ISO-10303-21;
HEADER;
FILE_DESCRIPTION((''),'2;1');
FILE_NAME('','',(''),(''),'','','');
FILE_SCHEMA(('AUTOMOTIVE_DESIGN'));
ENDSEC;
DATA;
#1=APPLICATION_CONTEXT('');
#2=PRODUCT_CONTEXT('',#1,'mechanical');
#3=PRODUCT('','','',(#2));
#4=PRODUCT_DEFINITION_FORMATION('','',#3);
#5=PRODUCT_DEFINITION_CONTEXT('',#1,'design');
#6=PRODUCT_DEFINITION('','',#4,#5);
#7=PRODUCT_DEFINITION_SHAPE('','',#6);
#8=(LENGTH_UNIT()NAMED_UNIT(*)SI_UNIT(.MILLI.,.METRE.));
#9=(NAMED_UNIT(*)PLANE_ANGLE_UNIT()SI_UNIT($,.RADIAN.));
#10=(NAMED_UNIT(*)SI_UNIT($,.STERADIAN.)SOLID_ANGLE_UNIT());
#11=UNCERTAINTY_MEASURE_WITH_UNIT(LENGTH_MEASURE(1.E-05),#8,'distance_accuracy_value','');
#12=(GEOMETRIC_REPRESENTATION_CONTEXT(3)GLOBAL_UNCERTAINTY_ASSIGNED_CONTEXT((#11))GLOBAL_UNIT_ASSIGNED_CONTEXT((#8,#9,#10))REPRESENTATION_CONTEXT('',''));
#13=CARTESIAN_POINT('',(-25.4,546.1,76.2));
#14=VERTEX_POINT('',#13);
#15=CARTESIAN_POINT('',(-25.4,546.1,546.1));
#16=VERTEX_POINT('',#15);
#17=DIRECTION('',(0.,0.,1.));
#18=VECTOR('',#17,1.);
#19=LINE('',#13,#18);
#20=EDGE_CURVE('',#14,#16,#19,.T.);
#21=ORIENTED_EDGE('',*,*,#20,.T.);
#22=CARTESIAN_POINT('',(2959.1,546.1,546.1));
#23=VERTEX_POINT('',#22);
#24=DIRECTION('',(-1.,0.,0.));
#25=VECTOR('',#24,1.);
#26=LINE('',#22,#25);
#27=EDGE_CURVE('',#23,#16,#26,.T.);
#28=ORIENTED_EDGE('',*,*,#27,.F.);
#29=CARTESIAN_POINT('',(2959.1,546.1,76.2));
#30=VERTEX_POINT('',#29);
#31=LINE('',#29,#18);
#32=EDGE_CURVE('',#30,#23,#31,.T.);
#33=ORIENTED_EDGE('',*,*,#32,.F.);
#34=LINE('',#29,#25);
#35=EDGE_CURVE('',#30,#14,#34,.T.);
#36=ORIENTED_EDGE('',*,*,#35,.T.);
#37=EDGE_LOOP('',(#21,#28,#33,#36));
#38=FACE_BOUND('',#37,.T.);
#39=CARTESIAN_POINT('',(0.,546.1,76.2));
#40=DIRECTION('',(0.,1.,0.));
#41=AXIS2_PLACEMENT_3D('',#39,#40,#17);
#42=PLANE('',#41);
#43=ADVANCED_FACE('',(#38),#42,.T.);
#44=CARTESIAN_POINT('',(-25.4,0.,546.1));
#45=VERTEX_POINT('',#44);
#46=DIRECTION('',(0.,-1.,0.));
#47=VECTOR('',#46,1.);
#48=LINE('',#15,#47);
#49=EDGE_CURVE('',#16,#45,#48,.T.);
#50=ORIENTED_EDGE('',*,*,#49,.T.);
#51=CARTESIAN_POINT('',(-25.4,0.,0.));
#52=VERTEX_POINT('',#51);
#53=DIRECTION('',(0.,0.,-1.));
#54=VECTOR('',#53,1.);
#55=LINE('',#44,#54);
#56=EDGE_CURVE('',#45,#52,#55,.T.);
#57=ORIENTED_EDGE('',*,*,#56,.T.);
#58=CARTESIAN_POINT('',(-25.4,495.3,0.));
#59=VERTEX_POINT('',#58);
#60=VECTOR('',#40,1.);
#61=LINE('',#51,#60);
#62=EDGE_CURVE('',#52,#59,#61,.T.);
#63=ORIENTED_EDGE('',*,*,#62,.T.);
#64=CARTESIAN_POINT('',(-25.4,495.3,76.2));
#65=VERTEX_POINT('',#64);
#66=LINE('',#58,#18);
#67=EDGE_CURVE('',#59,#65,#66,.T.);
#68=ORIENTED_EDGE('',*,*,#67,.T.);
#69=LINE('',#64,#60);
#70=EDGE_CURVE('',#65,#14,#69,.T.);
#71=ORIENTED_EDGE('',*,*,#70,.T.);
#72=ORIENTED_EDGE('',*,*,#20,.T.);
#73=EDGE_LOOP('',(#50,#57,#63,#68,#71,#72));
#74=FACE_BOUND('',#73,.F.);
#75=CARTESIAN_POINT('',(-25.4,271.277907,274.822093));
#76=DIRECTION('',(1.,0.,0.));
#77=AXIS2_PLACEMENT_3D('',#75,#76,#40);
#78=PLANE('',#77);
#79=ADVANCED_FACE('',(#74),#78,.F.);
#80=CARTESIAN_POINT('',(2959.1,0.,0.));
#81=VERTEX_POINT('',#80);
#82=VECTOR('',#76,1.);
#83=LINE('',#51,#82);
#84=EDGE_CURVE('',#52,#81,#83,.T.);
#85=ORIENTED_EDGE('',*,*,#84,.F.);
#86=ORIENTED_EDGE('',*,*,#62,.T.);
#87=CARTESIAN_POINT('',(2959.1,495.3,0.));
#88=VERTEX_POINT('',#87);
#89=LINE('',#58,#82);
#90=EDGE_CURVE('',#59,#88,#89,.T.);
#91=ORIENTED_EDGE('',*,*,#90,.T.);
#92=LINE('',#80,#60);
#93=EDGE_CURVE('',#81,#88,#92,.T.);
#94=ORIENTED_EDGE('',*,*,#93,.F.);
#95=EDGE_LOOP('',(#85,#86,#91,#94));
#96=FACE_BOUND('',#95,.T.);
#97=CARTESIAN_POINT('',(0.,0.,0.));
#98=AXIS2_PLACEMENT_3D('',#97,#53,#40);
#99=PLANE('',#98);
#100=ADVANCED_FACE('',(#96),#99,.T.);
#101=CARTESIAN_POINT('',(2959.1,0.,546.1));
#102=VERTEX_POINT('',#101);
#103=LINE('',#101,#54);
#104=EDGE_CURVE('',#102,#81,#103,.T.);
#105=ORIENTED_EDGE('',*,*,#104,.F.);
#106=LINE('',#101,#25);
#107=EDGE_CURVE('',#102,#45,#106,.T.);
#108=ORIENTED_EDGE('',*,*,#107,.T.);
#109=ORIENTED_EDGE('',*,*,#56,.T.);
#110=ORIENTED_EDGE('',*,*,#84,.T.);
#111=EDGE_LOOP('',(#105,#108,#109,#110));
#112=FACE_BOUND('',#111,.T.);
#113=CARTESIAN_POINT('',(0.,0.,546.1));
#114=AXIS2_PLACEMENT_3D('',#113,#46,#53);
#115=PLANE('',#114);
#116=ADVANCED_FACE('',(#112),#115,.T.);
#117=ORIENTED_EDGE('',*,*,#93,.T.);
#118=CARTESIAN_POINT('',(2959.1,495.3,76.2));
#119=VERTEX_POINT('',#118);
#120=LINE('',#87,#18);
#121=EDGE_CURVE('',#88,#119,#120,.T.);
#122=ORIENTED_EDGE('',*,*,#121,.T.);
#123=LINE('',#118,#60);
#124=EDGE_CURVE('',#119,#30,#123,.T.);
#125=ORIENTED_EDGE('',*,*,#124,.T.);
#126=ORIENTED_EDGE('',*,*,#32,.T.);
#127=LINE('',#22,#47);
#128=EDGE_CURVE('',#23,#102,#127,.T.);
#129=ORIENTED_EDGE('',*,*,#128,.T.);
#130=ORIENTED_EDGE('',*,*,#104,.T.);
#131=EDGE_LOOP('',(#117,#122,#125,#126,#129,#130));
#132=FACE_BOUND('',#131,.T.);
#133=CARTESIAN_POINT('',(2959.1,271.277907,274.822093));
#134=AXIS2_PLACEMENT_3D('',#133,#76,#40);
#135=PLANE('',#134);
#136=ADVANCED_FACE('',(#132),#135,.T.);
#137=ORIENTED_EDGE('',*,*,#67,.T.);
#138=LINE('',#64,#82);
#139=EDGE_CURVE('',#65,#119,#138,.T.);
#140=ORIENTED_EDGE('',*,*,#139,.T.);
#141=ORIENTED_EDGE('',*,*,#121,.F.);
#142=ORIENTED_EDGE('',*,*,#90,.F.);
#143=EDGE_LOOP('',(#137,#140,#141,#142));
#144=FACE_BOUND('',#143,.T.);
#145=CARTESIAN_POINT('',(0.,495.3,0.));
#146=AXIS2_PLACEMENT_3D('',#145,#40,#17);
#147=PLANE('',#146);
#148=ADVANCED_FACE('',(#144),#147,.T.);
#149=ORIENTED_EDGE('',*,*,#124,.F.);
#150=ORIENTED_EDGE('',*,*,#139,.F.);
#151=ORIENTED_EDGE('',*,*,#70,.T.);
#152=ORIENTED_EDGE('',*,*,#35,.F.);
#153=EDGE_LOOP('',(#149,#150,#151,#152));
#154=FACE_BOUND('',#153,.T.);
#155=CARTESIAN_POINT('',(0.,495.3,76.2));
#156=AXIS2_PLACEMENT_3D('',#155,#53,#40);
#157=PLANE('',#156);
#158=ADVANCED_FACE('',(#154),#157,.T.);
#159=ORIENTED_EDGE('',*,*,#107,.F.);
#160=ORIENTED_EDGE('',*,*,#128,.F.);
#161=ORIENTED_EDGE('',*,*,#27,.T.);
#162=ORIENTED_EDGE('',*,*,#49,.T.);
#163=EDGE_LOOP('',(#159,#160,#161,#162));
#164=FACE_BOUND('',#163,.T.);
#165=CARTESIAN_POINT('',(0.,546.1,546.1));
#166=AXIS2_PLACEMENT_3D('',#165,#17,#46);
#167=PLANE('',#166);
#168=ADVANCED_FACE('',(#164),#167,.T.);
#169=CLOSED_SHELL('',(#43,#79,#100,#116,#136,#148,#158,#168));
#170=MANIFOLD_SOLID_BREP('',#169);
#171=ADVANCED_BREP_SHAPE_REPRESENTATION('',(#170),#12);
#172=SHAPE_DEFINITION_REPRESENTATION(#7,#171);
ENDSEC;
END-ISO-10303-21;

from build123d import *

# Parameters (mm, degrees)
F2_DEPTH      = 2959.1
F2_DEPTH_BACK = 25.4


with BuildPart() as f2:
    # F1 (on Right) → F2 (new body, two sides)
    with BuildSketch(Plane.YZ) as f2_sk:
        Polygon((0, 546.1), (0, 0), (495.3, 0), (495.3, 76.2), (546.1, 76.2), (546.1, 546.1), align=None)
    extrude(amount=F2_DEPTH)
    extrude(f2_sk.sketch, amount=-F2_DEPTH_BACK)


solid = f2.part
